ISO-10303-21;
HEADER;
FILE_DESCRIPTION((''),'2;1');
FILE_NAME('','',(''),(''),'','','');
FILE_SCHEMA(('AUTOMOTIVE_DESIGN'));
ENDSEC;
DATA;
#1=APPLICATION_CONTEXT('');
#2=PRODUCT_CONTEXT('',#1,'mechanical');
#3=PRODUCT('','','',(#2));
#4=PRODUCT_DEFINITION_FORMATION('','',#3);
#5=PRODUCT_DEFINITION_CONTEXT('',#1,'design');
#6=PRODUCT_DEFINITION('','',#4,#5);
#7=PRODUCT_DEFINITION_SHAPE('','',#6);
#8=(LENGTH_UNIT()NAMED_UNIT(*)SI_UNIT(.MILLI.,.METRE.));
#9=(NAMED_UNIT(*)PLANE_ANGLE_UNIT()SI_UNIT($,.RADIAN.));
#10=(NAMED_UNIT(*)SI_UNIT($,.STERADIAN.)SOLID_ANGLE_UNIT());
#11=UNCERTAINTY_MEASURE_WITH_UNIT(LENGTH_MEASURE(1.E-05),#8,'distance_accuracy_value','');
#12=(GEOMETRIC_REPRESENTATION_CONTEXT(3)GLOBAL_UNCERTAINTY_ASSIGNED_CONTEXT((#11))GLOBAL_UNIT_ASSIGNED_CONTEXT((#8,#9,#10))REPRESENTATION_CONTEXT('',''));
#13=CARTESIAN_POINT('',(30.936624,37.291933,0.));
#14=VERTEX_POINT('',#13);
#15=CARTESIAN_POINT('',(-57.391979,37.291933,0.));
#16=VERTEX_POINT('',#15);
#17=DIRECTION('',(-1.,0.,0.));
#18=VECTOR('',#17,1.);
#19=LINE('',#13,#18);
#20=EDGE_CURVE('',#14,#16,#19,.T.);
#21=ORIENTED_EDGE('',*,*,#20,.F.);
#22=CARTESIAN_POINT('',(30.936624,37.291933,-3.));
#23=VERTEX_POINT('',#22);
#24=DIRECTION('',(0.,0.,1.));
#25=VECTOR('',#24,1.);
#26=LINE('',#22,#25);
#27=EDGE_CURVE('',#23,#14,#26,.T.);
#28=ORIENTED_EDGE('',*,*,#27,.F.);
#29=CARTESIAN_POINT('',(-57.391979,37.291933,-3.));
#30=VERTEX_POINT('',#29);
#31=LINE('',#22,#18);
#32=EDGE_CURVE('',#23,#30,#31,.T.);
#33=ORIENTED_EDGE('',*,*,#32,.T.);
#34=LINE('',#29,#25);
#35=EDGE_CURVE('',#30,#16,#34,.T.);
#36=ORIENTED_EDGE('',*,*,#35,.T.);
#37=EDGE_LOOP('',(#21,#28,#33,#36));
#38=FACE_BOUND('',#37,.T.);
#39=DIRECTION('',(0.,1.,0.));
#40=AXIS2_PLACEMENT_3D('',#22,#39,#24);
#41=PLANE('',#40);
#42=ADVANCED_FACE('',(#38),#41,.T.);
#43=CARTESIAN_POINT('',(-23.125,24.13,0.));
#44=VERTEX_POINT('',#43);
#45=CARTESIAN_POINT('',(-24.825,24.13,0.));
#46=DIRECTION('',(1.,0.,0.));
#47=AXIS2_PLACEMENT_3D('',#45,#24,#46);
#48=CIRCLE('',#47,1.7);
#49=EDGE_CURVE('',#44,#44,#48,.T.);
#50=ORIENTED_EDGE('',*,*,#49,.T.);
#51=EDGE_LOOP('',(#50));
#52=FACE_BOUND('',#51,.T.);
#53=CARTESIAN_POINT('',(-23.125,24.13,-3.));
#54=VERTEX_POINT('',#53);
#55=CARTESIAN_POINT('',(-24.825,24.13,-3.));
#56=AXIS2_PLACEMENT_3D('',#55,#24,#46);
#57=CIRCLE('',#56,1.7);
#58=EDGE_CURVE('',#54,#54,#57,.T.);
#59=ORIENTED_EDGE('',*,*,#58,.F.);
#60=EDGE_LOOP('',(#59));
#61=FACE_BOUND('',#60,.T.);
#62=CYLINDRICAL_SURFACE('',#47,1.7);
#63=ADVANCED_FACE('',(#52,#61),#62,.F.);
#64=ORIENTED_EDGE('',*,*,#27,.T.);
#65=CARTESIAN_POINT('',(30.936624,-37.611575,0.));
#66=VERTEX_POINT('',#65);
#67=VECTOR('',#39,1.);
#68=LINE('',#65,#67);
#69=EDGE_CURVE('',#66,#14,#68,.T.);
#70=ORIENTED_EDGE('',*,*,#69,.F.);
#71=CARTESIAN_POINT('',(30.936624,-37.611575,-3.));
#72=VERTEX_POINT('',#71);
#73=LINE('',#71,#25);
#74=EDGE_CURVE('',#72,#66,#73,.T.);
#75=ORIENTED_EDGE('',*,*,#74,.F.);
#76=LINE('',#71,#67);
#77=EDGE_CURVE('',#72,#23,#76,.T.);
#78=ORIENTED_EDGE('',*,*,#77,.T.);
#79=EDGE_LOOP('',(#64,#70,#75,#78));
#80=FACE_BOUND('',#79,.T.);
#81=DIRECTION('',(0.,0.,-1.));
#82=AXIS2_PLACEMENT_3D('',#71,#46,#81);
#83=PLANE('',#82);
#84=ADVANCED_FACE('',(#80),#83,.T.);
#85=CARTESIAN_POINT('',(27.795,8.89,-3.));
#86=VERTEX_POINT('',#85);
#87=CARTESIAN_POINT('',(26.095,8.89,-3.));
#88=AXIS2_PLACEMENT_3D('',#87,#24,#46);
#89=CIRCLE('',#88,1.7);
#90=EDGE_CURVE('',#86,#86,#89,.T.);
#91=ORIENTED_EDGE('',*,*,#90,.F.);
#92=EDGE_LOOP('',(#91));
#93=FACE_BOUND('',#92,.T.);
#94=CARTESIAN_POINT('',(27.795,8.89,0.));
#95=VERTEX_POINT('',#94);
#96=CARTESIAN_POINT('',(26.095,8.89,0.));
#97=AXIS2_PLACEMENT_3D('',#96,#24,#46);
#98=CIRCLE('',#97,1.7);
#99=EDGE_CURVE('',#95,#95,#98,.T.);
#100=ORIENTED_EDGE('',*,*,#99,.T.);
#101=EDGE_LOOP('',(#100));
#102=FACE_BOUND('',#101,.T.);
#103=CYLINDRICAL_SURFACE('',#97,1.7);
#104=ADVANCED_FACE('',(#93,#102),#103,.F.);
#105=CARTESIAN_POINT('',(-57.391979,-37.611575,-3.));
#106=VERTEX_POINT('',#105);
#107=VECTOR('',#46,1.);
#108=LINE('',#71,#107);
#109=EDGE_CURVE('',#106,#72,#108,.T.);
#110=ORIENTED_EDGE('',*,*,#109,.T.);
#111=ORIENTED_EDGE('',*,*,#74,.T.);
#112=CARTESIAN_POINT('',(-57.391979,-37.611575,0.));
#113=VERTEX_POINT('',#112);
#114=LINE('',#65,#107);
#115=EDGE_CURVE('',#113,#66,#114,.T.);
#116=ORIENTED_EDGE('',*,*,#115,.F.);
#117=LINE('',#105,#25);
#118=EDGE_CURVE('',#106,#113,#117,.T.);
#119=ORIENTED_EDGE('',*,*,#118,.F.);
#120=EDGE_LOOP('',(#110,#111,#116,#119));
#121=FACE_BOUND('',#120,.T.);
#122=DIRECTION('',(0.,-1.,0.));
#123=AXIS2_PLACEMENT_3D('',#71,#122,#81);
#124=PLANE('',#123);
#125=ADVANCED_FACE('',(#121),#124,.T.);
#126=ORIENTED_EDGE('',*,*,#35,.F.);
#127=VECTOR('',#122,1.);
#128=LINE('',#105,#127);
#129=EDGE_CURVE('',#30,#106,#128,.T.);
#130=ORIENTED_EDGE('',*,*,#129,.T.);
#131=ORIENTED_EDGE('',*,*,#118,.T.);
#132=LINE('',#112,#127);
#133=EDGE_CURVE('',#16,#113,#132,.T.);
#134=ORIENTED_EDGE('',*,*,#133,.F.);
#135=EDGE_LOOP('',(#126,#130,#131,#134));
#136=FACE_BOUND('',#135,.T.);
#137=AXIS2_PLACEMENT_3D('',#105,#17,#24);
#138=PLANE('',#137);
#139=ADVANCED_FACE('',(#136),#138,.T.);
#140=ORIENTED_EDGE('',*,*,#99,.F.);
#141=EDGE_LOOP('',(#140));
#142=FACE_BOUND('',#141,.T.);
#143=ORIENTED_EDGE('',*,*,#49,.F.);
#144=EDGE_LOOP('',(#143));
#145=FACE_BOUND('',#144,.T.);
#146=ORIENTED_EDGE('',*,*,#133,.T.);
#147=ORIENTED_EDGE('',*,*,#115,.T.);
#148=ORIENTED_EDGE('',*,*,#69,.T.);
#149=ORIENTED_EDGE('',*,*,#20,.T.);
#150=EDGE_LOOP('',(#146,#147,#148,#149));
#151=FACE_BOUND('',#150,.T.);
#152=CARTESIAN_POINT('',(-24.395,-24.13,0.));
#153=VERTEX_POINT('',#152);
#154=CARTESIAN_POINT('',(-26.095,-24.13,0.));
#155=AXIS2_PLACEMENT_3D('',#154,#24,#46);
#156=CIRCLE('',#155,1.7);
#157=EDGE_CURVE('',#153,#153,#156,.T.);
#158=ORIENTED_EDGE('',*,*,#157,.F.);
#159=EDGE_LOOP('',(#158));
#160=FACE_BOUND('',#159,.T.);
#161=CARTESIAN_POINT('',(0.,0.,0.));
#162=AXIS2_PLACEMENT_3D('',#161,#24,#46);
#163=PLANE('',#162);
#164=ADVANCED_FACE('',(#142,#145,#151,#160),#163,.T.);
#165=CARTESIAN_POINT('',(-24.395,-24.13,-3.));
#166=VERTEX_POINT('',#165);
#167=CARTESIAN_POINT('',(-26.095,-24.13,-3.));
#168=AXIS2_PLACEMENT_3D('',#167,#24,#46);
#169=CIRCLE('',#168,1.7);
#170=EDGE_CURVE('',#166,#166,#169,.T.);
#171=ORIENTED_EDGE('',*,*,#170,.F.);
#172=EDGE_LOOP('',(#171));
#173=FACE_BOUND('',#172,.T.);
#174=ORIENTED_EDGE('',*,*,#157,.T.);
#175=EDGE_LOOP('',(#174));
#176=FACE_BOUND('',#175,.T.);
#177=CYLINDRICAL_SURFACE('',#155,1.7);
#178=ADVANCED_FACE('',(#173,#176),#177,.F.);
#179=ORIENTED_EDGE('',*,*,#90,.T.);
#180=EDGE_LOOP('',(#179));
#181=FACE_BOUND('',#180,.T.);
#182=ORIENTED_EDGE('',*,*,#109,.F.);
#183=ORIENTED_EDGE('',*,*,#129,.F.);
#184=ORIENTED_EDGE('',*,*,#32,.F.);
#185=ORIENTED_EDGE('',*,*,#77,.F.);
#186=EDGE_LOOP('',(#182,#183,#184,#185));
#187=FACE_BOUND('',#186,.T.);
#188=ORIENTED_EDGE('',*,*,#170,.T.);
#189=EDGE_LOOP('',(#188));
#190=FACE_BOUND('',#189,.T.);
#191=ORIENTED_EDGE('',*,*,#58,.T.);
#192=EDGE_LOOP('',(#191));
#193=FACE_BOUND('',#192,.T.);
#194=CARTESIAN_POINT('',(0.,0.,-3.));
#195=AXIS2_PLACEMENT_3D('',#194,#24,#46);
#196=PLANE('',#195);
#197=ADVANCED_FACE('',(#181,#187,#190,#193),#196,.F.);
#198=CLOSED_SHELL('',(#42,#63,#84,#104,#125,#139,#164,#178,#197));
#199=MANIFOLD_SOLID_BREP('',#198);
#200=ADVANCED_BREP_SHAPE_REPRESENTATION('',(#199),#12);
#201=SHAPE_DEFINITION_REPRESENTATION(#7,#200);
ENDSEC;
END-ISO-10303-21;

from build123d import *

# Parameters (mm, degrees)
ESQUISSE1_W        = 88.328603511
ESQUISSE1_H        = 74.903508165
BOSS_EXTRU_1_DEPTH = 3
D_GAGEMENT_M31_D   = 3.4


with BuildPart() as part:
    # Esquisse1 → Boss.-Extru.1 (new body)
    with BuildSketch(Plane.XY):
        with Locations((-13.227677397, -0.159821294)):
            Rectangle(ESQUISSE1_W, ESQUISSE1_H)
    extrude(amount=-BOSS_EXTRU_1_DEPTH)

    # Dégagement M31 (through all)
    with Locations(Plane.XY):
        with Locations((26.095, 8.89), (-24.825, 24.13), (-26.095, -24.13)):
            Hole(D_GAGEMENT_M31_D / 2)


solid = part.part
